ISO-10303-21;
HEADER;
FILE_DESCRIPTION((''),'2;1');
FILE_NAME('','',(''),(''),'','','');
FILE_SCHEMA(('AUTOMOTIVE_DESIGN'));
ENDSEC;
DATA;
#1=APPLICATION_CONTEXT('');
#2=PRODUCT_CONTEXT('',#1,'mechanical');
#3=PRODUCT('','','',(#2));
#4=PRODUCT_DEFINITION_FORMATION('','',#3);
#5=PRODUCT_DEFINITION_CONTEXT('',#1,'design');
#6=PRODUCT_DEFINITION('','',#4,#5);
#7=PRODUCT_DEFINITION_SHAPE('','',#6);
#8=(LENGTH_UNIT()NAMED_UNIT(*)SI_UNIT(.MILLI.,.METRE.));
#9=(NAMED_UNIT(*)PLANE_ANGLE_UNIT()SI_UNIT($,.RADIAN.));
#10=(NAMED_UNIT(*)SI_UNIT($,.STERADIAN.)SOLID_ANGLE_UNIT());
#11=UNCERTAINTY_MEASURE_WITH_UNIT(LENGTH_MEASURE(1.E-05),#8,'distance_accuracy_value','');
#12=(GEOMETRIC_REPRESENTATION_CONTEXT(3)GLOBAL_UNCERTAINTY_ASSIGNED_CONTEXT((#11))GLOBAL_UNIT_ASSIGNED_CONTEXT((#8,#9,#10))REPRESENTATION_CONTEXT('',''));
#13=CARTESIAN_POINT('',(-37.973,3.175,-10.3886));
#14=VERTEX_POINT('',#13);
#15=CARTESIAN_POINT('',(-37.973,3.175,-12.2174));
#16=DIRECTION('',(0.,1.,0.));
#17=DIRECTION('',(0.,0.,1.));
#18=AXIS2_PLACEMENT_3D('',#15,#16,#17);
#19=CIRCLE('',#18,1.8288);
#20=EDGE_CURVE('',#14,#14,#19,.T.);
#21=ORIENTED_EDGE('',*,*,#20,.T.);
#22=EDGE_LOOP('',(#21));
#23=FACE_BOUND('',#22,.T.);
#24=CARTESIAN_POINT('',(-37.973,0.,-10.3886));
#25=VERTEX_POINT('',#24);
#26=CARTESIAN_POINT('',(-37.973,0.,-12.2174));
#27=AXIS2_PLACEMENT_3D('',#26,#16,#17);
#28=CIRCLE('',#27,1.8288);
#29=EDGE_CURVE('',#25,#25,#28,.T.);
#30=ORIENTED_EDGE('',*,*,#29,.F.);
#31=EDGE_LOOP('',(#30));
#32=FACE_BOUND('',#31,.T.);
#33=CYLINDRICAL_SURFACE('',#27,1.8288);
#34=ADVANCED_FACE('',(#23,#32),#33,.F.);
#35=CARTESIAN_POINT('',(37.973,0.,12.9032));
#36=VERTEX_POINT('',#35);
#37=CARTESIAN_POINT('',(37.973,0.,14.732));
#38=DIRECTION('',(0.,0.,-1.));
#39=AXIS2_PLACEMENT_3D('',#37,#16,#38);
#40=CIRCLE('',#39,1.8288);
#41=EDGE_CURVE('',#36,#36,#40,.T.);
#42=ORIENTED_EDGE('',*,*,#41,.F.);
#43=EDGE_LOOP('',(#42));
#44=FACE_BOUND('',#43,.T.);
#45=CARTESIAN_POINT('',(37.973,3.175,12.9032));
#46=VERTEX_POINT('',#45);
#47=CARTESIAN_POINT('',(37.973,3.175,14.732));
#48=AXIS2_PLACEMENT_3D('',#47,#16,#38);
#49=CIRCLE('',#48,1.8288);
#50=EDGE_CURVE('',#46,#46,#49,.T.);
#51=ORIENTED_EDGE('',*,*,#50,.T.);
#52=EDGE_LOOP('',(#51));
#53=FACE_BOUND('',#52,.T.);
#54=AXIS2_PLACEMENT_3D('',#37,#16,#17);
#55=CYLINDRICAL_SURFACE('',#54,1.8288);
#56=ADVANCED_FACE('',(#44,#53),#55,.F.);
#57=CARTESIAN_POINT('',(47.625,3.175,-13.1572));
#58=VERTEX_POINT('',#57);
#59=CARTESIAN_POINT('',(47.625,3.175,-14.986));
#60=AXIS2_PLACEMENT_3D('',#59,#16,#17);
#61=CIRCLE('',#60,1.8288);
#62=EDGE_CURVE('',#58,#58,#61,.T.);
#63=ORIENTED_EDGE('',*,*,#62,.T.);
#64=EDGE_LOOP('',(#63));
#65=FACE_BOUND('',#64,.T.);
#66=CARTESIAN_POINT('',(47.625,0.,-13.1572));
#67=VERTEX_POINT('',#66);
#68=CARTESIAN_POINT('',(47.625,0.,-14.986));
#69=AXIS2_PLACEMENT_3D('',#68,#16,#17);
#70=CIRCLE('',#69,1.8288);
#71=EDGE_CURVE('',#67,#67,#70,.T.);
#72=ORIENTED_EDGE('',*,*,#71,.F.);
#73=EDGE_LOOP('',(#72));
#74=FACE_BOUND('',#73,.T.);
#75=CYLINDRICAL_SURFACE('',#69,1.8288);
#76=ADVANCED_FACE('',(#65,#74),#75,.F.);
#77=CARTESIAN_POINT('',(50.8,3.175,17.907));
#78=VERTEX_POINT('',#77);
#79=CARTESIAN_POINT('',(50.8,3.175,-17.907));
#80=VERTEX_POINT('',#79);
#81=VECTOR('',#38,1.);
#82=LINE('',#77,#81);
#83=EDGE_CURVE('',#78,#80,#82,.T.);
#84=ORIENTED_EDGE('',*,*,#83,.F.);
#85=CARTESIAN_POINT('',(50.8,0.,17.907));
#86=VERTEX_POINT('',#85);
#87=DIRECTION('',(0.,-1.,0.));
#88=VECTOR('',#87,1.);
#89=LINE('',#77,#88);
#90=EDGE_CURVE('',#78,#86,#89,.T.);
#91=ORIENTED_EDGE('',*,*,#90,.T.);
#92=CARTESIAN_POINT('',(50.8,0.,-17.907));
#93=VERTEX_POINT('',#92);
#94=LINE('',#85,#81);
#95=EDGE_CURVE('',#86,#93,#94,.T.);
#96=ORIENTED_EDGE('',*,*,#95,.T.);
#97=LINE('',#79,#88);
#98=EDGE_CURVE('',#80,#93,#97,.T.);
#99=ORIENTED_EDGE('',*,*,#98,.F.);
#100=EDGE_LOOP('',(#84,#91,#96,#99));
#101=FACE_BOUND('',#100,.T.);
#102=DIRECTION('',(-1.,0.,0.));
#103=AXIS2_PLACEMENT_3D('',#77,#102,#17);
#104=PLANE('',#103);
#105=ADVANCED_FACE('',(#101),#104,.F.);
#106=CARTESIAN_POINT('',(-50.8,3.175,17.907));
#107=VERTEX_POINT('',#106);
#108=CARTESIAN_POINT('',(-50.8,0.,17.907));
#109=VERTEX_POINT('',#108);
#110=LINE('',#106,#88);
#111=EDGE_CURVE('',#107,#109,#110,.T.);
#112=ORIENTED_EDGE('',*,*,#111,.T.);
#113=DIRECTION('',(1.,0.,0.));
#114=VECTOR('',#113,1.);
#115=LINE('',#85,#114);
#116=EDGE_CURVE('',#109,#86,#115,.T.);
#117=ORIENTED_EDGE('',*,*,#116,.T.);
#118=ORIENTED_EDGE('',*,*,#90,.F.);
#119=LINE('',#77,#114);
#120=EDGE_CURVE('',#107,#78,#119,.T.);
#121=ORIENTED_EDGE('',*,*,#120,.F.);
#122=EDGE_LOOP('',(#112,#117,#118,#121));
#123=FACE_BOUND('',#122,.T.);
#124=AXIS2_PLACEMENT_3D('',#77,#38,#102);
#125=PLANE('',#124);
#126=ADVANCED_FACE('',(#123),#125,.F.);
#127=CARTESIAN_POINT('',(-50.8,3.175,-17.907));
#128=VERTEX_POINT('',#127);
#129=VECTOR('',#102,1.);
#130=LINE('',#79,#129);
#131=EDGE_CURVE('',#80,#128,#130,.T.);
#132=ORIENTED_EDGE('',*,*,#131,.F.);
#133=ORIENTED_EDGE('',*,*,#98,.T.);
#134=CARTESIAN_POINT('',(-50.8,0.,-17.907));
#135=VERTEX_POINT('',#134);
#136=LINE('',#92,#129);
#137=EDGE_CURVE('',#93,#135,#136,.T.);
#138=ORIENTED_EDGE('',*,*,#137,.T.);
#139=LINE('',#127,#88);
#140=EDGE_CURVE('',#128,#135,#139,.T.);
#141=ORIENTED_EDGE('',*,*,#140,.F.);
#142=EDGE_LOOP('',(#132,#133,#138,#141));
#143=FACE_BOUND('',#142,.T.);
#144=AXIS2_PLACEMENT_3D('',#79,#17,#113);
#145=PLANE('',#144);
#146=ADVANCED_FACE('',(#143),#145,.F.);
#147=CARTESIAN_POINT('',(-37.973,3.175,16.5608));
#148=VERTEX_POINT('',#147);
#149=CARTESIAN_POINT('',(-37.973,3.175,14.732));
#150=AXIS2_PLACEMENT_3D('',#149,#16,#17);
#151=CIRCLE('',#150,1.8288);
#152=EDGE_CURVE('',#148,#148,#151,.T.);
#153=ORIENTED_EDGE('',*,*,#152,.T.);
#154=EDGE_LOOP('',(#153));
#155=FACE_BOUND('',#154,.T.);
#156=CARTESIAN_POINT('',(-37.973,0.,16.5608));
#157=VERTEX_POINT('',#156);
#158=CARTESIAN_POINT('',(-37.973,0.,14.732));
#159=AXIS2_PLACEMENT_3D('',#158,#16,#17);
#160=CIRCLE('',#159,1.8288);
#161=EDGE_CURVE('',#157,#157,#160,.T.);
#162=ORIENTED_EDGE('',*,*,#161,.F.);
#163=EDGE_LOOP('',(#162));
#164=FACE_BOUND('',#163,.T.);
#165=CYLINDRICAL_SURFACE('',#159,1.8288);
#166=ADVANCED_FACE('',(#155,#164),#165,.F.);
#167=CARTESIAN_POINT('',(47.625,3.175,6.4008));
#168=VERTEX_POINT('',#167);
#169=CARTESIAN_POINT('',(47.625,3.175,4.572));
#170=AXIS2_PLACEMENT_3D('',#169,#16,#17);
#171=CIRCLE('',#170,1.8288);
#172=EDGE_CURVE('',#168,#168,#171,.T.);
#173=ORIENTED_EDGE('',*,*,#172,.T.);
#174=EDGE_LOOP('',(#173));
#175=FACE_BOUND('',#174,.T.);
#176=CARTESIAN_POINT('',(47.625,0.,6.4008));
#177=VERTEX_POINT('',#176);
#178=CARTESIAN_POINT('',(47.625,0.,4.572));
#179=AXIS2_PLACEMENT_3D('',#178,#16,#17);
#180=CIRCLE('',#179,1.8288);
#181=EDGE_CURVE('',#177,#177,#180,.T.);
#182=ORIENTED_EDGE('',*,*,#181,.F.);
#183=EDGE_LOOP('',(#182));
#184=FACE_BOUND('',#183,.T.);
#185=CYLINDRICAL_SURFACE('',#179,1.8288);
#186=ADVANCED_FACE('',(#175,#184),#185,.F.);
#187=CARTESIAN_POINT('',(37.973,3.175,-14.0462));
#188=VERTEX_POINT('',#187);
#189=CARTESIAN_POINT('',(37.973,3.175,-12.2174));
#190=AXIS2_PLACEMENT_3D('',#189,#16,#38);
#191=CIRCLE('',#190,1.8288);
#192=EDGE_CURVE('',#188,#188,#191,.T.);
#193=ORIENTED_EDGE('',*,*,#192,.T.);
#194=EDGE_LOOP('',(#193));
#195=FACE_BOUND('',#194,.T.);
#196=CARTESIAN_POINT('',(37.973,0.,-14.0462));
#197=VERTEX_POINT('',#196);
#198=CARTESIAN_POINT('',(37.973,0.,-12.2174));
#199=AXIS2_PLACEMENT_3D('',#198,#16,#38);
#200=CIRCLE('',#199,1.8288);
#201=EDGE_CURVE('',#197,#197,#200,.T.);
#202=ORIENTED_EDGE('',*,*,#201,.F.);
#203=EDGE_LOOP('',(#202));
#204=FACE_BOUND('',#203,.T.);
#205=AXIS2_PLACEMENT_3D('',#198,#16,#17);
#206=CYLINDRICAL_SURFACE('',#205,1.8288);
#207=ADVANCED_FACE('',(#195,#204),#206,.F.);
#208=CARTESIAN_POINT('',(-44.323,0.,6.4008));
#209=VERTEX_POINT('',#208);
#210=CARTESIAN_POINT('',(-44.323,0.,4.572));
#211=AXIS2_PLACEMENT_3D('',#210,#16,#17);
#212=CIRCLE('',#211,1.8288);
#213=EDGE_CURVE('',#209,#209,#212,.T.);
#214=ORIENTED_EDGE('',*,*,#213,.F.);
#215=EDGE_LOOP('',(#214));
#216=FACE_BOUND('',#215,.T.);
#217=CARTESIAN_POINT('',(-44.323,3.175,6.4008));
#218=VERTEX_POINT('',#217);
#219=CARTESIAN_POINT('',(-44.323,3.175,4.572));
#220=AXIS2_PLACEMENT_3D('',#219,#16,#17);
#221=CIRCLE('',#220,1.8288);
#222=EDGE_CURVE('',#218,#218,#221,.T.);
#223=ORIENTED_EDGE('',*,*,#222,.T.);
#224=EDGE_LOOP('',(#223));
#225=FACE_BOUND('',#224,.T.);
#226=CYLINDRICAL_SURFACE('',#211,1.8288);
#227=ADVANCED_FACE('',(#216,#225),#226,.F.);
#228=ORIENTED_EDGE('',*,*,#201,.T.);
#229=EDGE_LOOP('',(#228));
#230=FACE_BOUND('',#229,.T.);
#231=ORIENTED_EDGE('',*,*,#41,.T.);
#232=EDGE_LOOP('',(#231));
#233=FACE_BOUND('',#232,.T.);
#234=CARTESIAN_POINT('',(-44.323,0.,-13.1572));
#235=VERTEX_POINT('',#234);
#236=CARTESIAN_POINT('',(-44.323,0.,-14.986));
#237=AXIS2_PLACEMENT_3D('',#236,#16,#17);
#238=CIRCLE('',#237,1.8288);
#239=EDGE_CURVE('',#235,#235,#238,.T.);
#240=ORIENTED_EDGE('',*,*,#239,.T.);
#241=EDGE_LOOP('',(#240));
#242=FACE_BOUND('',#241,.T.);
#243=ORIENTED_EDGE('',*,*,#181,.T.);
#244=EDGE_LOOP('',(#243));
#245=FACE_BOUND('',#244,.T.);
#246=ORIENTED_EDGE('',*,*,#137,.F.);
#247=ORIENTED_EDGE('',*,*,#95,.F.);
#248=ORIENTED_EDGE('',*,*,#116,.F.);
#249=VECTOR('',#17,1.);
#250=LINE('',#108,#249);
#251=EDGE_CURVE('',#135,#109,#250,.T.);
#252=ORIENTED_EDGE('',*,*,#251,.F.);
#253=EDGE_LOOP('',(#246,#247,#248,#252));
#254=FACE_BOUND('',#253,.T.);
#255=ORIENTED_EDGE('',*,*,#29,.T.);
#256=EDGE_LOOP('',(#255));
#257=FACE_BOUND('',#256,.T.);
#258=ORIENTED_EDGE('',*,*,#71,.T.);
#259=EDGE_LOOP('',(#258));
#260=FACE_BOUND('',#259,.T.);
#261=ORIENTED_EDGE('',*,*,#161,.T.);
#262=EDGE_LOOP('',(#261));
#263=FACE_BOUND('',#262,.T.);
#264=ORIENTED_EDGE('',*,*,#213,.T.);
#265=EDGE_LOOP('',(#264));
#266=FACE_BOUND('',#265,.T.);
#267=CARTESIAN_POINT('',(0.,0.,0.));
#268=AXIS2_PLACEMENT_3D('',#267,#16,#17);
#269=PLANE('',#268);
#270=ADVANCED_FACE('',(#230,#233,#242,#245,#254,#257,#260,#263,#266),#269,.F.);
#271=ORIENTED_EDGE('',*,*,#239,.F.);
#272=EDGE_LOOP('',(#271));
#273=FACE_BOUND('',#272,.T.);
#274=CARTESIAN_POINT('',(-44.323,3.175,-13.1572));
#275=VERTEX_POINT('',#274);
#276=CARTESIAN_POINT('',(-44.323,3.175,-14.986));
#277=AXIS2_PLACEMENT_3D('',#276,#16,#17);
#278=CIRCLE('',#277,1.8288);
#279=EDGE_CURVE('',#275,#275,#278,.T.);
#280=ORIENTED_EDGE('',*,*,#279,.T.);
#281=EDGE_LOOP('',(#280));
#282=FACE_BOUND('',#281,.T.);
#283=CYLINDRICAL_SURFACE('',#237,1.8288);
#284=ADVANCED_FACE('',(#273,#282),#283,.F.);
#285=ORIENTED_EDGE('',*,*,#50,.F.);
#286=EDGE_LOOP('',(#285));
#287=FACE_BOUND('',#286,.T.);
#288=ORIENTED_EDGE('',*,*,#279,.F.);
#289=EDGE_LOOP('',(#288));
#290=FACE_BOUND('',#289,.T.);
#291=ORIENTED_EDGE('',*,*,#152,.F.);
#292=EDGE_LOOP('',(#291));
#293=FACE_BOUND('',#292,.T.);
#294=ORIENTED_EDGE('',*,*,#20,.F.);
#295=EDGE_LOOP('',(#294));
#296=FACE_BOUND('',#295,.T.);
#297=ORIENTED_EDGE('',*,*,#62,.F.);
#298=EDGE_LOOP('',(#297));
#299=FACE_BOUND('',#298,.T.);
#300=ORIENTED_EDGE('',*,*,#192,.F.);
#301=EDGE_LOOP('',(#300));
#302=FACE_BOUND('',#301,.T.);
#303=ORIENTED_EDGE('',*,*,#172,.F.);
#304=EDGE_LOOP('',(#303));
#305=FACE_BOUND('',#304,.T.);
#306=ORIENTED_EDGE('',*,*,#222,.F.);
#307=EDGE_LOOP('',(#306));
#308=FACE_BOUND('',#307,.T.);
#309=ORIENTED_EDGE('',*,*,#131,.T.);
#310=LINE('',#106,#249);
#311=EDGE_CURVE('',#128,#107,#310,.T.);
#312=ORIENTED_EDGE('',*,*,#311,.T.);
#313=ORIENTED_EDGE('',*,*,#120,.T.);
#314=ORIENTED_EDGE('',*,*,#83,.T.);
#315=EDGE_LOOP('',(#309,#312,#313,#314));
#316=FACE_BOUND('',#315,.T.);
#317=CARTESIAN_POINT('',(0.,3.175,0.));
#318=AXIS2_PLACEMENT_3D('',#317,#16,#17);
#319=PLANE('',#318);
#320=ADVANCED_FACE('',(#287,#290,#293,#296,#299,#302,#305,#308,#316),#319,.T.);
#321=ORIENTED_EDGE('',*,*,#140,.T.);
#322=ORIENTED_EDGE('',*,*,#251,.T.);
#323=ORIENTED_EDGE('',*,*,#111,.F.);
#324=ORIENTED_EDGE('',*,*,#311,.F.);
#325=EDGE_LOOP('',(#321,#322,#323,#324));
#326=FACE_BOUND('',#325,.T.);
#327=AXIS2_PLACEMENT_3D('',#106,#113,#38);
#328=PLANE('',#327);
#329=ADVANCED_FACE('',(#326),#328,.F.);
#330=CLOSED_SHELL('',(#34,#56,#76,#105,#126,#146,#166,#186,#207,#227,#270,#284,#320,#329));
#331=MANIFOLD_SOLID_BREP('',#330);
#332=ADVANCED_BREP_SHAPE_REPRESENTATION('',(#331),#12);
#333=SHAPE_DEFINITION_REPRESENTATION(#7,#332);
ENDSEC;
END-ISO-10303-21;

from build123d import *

# Parameters (mm, degrees)
SKETCH2_W           = 101.6
SKETCH2_H           = 35.814
BOSS_EXTRUDE1_DEPTH = 3.175
SKETCH3_R           = 1.8288
CUT_EXTRUDE1_DEPTH  = 4.175
SKETCH4_R           = 1.8288
CUT_EXTRUDE2_DEPTH  = 4.175


with BuildPart() as part:
    # Sketch2 → Boss-Extrude1 (new body)
    with BuildSketch(Plane(origin=(0, 0, 0), x_dir=(1, 0, 0), z_dir=(0, 1, 0))):
        Rectangle(SKETCH2_W, SKETCH2_H)
    extrude(amount=BOSS_EXTRUDE1_DEPTH)

    # Sketch3 → Cut-Extrude1 (cut, through all)
    with BuildSketch(Plane(origin=(0, 3.175, 0), x_dir=(1, 0, 0), z_dir=(0, 1, 0))):
        with Locations((47.625, 14.986)):
            Circle(SKETCH3_R)
        with Locations((47.625, -4.572)):
            Circle(SKETCH3_R)
        with Locations((-44.323, 14.986)):
            Circle(SKETCH3_R)
        with Locations((-44.323, -4.572)):
            Circle(SKETCH3_R)
    extrude(amount=-CUT_EXTRUDE1_DEPTH, mode=Mode.SUBTRACT)

    # Sketch4 → Cut-Extrude2 (cut, through all)
    with BuildSketch(Plane(origin=(0, 3.175, 0), x_dir=(1, 0, 0), z_dir=(0, 1, 0))):
        with Locations((-37.973, -14.732)):
            Circle(SKETCH4_R)
        with Locations((-37.973, 12.2174)):
            Circle(SKETCH4_R)
        with Locations((37.973, -14.732)):
            Circle(SKETCH4_R)
        with Locations((37.973, 12.2174)):
            Circle(SKETCH4_R)
    extrude(amount=-CUT_EXTRUDE2_DEPTH, mode=Mode.SUBTRACT)


solid = part.part
